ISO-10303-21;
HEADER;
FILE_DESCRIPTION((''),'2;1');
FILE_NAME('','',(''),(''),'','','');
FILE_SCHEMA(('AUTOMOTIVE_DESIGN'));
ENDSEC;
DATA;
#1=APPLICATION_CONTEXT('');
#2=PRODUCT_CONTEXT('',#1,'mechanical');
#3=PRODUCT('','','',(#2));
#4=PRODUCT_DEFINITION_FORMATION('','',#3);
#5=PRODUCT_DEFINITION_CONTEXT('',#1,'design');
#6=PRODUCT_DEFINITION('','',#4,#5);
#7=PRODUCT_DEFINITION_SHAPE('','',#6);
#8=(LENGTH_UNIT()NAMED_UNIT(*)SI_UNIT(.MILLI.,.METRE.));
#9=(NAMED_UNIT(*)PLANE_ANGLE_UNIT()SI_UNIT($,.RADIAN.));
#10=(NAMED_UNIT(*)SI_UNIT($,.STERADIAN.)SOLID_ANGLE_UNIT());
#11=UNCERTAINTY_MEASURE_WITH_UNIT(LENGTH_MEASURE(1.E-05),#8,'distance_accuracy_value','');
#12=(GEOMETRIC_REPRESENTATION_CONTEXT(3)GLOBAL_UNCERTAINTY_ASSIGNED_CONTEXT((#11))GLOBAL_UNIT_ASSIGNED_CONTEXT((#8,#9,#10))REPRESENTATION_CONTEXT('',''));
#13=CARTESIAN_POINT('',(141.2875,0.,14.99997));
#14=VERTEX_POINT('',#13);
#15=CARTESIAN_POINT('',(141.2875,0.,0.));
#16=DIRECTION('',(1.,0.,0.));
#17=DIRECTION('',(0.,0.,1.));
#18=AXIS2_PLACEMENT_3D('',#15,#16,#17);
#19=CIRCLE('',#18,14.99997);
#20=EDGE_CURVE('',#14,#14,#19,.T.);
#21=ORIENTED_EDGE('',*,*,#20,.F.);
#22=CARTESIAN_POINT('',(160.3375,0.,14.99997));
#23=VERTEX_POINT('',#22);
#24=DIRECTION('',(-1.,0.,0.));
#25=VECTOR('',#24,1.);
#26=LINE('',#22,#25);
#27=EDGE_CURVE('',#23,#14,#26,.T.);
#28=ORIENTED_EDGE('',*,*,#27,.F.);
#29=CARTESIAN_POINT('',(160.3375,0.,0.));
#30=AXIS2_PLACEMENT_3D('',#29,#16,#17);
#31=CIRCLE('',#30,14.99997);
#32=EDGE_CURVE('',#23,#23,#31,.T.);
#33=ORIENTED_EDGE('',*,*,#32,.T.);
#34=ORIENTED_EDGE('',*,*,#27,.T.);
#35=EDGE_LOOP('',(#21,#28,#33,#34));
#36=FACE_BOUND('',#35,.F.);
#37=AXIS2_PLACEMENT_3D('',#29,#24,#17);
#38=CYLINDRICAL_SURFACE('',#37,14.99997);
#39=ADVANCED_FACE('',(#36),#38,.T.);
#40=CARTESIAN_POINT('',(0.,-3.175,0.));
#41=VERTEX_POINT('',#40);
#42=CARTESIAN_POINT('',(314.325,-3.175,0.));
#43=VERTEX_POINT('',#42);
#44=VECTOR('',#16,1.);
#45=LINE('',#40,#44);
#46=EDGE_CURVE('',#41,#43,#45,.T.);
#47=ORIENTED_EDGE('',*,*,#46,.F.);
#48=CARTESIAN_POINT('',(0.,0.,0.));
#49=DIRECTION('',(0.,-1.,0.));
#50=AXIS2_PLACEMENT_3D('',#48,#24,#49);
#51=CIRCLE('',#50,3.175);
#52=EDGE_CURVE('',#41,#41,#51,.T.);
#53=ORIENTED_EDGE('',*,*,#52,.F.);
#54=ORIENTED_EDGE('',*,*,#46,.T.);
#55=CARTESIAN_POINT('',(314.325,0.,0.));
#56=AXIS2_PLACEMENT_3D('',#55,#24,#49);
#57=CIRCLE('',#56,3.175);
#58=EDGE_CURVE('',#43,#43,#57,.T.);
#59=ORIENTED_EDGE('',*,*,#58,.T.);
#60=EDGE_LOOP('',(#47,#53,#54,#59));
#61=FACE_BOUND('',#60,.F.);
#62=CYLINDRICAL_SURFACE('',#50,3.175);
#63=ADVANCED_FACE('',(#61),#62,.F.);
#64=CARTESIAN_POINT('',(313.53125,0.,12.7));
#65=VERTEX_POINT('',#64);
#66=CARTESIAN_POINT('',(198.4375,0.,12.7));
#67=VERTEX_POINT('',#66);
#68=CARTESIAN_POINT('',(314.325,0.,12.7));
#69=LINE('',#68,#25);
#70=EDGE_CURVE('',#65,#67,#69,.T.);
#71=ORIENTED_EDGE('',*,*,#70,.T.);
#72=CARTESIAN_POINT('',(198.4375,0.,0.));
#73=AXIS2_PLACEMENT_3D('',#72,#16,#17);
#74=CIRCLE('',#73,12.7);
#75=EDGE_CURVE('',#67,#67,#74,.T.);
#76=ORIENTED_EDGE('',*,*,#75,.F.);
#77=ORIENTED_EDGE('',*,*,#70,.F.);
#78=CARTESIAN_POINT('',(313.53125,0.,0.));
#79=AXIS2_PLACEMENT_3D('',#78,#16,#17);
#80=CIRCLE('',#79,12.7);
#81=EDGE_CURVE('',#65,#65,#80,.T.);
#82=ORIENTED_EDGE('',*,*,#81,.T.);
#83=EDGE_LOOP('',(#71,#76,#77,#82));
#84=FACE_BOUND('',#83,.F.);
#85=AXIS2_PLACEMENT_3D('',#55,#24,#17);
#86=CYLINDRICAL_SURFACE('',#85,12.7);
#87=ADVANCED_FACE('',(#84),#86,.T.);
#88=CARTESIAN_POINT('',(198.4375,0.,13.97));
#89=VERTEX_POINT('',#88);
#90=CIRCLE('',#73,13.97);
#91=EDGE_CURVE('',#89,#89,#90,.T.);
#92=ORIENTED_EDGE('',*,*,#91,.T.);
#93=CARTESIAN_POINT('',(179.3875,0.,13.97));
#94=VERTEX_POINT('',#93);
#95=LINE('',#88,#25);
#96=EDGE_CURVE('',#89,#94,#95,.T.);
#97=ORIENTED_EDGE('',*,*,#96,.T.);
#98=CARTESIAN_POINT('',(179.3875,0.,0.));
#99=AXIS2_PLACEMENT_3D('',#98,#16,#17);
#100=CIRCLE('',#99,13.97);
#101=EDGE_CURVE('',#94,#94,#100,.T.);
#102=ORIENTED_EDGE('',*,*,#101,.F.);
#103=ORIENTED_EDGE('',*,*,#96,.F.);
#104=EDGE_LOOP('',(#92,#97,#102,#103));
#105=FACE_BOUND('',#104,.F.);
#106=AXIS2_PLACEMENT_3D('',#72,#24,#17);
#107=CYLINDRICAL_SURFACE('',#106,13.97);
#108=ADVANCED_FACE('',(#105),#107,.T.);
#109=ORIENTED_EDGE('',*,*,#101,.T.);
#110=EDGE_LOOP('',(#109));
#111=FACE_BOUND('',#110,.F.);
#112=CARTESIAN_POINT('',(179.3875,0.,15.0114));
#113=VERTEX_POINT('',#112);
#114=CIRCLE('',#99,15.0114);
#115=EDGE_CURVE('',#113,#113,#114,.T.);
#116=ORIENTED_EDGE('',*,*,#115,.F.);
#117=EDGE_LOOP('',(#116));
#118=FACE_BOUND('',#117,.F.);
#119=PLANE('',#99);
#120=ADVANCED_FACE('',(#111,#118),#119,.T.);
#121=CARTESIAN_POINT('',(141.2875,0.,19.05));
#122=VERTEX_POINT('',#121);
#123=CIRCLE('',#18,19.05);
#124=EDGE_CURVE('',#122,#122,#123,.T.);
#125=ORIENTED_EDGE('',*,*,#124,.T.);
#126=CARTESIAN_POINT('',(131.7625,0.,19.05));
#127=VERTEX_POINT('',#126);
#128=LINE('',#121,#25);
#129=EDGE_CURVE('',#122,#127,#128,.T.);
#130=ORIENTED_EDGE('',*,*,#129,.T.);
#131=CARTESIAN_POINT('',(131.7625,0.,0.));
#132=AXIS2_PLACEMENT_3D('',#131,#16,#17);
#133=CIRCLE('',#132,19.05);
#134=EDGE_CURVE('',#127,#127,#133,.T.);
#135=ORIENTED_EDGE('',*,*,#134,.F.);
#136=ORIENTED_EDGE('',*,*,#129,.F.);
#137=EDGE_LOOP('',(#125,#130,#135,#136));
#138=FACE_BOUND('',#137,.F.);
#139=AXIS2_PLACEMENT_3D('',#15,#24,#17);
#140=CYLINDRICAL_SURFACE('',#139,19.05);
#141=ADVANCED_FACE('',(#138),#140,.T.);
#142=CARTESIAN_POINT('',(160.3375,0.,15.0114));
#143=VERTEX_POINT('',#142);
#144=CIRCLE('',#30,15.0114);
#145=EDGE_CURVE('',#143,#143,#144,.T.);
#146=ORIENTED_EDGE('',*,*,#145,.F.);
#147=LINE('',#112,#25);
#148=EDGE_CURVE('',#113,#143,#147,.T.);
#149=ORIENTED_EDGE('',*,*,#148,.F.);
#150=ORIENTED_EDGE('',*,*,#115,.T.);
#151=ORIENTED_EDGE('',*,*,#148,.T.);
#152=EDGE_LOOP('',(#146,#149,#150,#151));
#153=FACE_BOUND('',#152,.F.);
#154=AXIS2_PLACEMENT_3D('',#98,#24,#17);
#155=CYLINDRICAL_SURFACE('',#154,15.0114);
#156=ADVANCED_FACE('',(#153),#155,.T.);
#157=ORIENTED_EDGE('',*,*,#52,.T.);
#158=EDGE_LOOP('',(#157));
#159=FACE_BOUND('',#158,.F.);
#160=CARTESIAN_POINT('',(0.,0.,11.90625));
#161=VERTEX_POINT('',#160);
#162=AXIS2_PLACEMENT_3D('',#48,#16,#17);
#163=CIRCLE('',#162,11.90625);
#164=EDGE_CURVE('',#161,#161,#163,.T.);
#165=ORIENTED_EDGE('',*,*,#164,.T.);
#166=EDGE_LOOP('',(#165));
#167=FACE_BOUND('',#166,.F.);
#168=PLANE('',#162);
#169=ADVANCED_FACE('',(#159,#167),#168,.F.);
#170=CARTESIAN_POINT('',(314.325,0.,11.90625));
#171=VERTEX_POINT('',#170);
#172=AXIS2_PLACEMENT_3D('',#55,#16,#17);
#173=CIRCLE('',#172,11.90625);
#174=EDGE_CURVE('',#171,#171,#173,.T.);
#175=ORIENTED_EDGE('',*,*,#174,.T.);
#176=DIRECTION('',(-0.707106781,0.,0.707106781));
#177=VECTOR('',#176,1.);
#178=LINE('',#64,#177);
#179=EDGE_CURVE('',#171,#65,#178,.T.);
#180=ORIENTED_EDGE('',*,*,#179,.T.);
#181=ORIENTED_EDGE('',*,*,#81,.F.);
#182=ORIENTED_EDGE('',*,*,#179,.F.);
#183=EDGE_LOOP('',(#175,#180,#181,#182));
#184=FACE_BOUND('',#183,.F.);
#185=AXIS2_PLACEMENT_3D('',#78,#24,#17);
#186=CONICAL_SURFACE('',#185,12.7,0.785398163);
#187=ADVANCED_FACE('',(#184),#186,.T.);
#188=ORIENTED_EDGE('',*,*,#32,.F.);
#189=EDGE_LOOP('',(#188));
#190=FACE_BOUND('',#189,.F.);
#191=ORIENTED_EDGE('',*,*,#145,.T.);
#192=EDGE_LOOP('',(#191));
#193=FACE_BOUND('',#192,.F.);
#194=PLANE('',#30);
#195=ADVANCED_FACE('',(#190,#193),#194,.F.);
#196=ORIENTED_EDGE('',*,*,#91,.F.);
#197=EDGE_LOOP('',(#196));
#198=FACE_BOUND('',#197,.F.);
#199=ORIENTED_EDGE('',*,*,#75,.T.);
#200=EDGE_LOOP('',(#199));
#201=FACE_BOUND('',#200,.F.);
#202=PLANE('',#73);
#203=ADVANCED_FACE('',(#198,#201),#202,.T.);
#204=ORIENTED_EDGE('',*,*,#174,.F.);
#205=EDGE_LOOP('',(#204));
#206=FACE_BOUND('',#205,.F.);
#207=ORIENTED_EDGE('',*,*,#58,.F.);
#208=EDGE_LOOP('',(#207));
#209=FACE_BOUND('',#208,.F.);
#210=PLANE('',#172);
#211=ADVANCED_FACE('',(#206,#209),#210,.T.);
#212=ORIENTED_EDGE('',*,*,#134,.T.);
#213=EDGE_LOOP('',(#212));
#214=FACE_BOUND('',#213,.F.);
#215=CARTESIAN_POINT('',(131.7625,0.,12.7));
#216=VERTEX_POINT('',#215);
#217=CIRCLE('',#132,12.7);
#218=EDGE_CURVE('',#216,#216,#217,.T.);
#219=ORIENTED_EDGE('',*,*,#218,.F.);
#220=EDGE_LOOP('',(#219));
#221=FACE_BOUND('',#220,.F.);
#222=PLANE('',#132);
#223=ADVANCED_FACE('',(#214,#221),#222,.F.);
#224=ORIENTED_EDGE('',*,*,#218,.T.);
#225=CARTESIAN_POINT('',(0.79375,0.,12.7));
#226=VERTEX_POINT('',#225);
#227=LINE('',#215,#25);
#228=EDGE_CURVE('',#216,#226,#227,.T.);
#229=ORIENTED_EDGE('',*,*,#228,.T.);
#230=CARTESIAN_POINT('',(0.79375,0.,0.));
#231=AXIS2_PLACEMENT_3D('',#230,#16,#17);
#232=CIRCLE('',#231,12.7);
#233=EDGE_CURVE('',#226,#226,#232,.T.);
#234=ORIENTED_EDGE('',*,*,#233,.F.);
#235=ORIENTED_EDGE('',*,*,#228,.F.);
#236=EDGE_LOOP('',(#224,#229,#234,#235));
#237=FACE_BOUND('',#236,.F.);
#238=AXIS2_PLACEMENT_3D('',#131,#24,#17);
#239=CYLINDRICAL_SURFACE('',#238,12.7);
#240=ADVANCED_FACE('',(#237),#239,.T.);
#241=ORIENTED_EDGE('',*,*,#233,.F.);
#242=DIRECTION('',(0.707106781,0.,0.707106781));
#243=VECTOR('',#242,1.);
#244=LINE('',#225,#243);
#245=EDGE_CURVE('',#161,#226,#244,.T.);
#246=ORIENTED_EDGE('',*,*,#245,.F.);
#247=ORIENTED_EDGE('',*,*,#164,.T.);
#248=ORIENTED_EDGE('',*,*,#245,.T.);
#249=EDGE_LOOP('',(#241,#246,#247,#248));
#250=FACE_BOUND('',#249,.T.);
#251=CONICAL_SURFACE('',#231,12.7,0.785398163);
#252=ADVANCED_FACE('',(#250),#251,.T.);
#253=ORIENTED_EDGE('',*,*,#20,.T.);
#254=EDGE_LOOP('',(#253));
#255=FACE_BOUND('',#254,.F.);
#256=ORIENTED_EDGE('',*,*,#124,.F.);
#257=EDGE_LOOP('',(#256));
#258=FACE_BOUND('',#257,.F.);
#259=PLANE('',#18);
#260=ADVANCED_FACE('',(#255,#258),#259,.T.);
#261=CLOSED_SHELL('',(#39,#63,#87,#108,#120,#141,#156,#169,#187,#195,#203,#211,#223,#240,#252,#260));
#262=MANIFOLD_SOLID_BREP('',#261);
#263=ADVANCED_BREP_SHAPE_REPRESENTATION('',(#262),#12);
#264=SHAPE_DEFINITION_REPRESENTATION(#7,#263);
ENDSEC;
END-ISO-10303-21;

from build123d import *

# Parameters (mm, degrees)
F2_R     = 3.175
F3_DEPTH = 314.326
F4_SIZE  = 0.79375


with BuildPart() as f1:
    # F0 (on Front) → F1 (revolve)
    with BuildSketch(Plane.XZ):
        Polygon((0, 12.7), (0, 0), (314.325, 0), (314.325, 12.7), (198.4375, 12.7), (198.4375, 13.97), (179.3875, 13.97), (179.3875, 15.0114), (160.3375, 15.0114), (160.3375, 14.99997), (141.2875, 14.99997), (141.2875, 19.05), (131.7625, 19.05), (131.7625, 12.7), align=None)
    revolve(axis=Axis((157.1625, 0, 0), (1, 0, 0)))

    # F2 (on face) → F3 (cut, through all)
    with BuildSketch(Plane(origin=(0, 0, 0), x_dir=(0, -1, 0), z_dir=(-1, 0, 0))):
        Circle(F2_R)
    extrude(amount=-F3_DEPTH, mode=Mode.SUBTRACT)

    # F4
    f4_edges = [f1.edges().sort_by_distance(p)[0] for p in [
        (0, 0, -12.7),
        (314.325, 0, -12.7),
    ]]
    chamfer(f4_edges, length=F4_SIZE)


solid = f1.part
